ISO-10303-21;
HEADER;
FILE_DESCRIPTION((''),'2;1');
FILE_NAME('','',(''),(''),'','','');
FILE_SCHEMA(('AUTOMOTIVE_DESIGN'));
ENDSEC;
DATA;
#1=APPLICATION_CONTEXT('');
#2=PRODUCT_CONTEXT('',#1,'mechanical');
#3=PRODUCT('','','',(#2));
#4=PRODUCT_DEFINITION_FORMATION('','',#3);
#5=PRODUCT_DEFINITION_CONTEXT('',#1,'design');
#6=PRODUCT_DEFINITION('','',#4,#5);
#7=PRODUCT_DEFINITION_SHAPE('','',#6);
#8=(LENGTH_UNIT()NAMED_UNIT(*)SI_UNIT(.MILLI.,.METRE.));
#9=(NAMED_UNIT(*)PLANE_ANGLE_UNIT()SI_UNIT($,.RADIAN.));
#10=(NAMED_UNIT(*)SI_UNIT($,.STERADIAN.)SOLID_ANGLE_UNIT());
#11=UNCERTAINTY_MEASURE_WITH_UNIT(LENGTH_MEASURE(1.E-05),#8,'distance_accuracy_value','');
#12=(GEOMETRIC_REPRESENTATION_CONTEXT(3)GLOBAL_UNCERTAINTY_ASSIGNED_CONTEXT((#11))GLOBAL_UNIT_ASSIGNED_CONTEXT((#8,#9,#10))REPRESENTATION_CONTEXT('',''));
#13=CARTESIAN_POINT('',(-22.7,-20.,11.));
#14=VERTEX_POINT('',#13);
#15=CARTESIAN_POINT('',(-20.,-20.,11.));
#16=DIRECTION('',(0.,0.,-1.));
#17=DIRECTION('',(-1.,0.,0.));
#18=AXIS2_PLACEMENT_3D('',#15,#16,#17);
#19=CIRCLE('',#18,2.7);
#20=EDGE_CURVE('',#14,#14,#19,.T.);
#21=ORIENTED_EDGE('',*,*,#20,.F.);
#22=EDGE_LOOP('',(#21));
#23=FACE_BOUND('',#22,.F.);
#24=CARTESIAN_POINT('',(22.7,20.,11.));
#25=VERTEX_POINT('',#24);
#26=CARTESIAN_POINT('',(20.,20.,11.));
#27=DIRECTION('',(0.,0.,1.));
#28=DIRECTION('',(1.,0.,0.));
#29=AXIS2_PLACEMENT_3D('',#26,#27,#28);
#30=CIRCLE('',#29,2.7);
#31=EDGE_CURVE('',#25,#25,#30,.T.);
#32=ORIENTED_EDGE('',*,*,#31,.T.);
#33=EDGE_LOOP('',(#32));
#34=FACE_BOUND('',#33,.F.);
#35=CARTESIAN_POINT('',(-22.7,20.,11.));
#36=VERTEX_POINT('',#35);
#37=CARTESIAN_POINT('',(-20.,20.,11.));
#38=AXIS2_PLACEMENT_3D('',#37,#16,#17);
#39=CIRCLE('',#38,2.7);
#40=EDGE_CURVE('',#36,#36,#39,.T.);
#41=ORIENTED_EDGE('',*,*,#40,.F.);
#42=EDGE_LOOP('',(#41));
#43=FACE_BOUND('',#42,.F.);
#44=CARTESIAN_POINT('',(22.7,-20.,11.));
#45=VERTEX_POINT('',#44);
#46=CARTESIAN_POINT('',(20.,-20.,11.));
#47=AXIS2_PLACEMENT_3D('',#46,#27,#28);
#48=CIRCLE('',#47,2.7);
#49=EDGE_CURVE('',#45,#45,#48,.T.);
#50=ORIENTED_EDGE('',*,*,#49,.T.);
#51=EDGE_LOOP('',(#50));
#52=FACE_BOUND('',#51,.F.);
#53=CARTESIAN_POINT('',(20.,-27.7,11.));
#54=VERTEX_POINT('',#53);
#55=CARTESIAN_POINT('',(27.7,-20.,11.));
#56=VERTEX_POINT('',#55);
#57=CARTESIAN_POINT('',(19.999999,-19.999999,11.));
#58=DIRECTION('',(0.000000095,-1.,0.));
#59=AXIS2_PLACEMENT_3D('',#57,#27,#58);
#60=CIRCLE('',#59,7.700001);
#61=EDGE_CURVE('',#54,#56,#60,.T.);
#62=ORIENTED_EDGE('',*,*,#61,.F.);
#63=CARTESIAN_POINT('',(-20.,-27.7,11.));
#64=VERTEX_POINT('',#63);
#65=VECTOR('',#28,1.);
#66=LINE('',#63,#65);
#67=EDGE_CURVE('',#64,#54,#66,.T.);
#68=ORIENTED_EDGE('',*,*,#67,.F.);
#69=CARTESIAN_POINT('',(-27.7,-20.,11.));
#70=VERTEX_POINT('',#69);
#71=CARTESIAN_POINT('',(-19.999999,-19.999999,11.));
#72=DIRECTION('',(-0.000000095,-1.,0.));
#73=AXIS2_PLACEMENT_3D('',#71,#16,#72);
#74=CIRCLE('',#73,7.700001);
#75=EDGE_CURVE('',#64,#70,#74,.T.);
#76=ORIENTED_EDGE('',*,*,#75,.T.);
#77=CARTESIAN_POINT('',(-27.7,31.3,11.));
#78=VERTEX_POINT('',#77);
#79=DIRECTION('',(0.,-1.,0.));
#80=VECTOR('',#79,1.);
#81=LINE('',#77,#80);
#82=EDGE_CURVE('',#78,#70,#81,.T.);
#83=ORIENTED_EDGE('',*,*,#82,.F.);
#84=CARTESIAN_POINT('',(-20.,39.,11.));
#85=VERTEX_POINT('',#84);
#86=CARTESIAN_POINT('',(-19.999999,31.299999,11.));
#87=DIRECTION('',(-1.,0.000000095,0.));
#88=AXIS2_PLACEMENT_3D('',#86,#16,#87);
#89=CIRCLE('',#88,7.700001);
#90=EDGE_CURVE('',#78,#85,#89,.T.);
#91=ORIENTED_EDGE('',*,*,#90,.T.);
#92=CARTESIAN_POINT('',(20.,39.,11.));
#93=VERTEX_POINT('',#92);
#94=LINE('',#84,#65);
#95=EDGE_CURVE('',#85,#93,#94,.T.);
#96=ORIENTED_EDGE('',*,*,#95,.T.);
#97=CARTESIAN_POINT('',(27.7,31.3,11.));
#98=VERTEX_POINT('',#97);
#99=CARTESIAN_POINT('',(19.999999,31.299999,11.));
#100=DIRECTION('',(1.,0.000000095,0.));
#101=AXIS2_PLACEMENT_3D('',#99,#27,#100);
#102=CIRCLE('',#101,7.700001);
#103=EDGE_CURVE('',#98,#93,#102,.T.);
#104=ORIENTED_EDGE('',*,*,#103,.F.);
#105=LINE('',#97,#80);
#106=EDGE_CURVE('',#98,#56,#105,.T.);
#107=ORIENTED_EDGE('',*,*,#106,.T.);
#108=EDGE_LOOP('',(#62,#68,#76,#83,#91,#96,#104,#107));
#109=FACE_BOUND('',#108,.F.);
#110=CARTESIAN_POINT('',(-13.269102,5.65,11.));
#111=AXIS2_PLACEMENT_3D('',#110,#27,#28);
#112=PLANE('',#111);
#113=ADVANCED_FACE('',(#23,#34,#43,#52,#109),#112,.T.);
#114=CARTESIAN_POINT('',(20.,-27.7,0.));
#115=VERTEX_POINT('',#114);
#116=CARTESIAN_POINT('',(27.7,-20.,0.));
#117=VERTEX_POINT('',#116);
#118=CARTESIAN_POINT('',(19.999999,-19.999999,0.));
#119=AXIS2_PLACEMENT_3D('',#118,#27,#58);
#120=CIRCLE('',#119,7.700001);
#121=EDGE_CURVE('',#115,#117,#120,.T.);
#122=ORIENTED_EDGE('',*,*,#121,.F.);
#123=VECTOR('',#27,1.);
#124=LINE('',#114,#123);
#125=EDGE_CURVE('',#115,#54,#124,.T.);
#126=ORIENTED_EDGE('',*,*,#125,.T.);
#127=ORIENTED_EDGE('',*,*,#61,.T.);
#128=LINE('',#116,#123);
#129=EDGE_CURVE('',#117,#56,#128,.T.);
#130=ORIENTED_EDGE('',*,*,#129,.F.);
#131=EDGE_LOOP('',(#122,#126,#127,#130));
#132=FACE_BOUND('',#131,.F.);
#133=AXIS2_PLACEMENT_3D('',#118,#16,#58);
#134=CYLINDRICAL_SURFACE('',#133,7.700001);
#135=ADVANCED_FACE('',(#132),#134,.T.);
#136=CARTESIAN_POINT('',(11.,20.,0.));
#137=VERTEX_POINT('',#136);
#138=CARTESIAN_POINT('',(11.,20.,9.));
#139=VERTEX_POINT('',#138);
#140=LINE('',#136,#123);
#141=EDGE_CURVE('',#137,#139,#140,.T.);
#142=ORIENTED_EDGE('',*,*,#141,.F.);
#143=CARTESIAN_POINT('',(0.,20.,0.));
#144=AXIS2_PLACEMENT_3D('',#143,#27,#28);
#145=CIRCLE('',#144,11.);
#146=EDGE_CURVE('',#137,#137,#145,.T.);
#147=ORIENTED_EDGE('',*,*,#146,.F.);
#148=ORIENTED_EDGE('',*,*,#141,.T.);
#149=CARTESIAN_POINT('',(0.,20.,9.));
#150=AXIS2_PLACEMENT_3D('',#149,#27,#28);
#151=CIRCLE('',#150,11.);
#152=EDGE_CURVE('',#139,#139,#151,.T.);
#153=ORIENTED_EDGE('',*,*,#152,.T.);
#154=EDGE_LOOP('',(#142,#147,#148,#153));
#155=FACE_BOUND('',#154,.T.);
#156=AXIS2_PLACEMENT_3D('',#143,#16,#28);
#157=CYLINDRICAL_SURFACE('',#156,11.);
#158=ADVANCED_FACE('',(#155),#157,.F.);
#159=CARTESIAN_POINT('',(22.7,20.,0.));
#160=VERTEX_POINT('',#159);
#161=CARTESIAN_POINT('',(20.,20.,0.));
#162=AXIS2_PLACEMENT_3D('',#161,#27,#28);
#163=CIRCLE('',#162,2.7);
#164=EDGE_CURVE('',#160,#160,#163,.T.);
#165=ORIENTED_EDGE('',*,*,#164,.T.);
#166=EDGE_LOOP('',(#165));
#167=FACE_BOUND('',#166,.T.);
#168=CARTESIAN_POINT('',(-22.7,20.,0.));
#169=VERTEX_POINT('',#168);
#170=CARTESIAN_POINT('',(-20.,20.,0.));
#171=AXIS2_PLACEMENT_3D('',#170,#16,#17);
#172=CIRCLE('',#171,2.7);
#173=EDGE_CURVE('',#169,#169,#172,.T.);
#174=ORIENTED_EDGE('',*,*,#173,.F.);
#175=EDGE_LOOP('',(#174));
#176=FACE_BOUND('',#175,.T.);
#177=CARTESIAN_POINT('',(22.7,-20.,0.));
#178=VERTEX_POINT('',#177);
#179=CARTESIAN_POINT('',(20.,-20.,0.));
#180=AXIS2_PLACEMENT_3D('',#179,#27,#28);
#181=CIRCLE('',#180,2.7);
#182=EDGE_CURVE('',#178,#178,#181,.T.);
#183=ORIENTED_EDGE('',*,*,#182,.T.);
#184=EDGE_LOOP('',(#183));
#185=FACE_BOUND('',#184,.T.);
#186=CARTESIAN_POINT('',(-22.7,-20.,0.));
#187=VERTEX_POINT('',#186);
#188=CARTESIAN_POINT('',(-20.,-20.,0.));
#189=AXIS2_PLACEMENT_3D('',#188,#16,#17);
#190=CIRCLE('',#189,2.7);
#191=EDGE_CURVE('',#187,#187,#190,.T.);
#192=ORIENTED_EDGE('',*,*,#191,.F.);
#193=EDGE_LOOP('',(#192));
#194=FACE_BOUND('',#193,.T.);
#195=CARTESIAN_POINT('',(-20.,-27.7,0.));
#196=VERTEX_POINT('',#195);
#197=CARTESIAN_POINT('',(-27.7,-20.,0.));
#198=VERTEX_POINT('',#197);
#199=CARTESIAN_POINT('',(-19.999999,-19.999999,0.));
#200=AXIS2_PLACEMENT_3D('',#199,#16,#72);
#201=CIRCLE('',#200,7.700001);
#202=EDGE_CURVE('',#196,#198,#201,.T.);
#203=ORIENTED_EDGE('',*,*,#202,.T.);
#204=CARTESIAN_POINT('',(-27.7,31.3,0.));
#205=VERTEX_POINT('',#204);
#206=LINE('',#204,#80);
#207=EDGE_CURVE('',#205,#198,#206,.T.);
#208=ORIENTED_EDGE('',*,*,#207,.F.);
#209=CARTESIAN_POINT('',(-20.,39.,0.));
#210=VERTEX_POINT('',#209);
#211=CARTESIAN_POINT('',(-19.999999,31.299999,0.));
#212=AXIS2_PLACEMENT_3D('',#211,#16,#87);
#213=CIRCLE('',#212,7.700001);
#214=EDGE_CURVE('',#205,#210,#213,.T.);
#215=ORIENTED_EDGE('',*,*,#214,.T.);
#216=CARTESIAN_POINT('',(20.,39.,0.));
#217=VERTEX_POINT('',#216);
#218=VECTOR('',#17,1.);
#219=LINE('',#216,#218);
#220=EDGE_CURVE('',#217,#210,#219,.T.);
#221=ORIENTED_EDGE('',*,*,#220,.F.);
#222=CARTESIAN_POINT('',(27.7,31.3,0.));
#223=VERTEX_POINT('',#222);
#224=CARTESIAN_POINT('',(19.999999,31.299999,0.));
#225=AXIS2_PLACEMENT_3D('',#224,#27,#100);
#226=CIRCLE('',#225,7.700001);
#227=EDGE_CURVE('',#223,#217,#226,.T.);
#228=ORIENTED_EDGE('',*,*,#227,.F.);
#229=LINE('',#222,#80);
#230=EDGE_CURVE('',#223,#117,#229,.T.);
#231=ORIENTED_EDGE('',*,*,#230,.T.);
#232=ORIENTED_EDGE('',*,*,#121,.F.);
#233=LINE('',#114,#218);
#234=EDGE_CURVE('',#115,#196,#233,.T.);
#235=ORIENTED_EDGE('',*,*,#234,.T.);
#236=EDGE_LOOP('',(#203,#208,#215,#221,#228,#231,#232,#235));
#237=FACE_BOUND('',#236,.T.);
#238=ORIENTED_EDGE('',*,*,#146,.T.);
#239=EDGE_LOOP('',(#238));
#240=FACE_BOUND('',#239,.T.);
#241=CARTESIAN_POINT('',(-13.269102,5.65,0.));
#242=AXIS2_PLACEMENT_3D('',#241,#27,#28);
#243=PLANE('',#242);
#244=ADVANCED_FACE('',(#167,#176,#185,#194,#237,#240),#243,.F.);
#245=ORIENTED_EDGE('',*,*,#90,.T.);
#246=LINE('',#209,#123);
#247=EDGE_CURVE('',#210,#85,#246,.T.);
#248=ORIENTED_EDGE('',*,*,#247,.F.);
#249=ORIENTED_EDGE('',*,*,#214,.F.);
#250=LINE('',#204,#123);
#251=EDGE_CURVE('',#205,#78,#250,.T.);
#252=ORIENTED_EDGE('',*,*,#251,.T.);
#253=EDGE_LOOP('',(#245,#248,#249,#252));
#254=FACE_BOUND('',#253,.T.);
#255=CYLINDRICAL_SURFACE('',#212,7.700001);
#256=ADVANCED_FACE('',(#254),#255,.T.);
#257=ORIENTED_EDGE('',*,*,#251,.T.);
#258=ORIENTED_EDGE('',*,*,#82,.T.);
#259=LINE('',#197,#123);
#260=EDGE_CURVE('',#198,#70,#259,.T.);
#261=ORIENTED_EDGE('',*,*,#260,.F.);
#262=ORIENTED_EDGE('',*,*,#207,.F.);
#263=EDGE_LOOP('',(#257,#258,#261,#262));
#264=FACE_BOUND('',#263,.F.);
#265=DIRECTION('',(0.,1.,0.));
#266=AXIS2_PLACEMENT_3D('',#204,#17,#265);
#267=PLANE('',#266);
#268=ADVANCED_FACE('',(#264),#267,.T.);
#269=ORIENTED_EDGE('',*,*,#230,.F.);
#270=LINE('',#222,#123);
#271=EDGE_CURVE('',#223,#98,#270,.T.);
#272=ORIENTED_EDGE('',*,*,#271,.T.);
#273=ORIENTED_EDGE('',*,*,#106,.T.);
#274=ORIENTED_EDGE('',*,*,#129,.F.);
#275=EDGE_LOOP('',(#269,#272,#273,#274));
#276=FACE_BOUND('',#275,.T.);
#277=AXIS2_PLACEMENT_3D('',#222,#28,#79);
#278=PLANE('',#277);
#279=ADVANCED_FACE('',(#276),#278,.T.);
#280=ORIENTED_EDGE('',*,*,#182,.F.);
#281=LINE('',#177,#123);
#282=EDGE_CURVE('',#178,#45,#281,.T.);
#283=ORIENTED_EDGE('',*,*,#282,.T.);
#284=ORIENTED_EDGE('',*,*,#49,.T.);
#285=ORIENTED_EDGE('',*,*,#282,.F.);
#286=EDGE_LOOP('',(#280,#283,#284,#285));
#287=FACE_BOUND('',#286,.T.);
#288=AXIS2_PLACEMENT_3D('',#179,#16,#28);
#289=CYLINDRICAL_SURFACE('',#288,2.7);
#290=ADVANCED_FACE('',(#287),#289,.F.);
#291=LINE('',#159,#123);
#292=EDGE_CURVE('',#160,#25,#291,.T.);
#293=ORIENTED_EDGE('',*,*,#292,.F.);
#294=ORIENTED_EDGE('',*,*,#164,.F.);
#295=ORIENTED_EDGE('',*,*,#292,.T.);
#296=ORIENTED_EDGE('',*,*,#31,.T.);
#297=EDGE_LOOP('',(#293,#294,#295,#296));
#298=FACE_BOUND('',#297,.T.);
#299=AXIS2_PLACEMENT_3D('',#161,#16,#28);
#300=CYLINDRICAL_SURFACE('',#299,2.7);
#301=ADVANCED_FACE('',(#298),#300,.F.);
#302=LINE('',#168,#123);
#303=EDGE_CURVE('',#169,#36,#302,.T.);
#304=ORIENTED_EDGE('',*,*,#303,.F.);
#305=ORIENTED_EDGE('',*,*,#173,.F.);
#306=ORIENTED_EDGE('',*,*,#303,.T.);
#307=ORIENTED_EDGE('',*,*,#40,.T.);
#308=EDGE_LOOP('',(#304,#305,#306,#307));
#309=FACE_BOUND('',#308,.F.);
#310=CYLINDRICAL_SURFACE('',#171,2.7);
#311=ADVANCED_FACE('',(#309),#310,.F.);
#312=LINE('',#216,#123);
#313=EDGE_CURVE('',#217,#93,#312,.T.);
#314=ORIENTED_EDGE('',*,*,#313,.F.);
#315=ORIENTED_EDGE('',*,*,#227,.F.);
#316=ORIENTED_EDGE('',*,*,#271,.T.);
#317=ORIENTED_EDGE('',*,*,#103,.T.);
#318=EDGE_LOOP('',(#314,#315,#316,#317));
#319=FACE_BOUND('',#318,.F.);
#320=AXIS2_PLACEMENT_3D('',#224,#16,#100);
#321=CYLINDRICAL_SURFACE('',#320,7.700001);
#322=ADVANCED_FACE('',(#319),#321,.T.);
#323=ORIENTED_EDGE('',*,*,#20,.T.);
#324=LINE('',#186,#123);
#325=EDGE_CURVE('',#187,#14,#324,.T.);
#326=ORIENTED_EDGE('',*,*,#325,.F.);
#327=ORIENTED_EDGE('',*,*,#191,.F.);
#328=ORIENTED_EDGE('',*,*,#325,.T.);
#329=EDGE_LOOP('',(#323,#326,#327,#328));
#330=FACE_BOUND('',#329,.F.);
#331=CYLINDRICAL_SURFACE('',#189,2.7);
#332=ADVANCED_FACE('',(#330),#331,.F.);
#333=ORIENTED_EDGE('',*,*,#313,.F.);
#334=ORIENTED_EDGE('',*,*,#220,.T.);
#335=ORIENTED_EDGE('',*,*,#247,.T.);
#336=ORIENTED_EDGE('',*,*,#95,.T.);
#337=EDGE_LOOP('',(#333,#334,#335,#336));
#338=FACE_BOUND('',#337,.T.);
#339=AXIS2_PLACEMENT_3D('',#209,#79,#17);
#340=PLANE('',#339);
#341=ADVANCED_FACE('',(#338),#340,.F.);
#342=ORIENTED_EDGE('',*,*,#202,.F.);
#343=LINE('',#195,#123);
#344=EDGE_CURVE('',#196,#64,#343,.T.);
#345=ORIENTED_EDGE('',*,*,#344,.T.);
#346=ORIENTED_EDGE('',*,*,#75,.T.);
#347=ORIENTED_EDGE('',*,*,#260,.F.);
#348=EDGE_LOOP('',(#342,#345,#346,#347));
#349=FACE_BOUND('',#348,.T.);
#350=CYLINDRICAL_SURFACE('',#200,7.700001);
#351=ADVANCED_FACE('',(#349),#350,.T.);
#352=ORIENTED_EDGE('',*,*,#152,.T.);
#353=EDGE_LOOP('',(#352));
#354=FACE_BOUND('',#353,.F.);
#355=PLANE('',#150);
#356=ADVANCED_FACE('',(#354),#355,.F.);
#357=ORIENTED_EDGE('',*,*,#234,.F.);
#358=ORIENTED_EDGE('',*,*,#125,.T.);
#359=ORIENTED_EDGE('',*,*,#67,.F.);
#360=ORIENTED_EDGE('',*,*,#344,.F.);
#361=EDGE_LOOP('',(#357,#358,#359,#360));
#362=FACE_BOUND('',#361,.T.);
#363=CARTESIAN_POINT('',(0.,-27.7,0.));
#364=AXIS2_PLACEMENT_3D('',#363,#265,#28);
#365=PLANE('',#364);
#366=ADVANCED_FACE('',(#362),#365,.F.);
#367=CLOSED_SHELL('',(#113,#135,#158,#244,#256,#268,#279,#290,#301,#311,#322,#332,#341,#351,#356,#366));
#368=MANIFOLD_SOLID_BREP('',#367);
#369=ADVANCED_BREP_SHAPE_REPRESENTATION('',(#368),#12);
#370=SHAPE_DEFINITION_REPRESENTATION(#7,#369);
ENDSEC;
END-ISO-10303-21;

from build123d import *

# Parameters (mm, degrees)
SKETCH_R     = 2.7
PAD_DEPTH    = 11
SKETCH001_R  = 11
POCKET_DEPTH = 9


with BuildPart() as part:
    # Sketch → Pad (new body)
    with BuildSketch(Plane.XY):
        with BuildLine():
            Line((20, 39), (0, 39))
            Line((0, 39), (0, 0))
            Line((0, 0), (0, -27.7))
            Line((0, -27.7), (20, -27.7))
            ThreePointArc((20, -27.7), (25.444722, -25.444722), (27.7, -20))
            Line((27.7, 0), (27.7, -20))
            Line((27.7, 31.3), (27.7, 0))
            ThreePointArc((27.7, 31.3), (25.444722, 36.744722), (20, 39))
        make_face()
        with Locations((20, 20)):
            Circle(SKETCH_R, mode=Mode.SUBTRACT)
        with Locations((20, -20)):
            Circle(SKETCH_R, mode=Mode.SUBTRACT)
    pad = extrude(amount=PAD_DEPTH)

    # Mirrored: Pad across Sketch V_Axis
    add(pad.mirror(Plane(origin=(0, 0, 0), x_dir=(0, 0, 1), z_dir=(1, 0, 0))))

    # Sketch001 → Pocket (cut)
    with BuildSketch(Plane.XY):
        with Locations((0, 20)):
            Circle(SKETCH001_R)
    extrude(amount=POCKET_DEPTH, mode=Mode.SUBTRACT)


solid = part.part
